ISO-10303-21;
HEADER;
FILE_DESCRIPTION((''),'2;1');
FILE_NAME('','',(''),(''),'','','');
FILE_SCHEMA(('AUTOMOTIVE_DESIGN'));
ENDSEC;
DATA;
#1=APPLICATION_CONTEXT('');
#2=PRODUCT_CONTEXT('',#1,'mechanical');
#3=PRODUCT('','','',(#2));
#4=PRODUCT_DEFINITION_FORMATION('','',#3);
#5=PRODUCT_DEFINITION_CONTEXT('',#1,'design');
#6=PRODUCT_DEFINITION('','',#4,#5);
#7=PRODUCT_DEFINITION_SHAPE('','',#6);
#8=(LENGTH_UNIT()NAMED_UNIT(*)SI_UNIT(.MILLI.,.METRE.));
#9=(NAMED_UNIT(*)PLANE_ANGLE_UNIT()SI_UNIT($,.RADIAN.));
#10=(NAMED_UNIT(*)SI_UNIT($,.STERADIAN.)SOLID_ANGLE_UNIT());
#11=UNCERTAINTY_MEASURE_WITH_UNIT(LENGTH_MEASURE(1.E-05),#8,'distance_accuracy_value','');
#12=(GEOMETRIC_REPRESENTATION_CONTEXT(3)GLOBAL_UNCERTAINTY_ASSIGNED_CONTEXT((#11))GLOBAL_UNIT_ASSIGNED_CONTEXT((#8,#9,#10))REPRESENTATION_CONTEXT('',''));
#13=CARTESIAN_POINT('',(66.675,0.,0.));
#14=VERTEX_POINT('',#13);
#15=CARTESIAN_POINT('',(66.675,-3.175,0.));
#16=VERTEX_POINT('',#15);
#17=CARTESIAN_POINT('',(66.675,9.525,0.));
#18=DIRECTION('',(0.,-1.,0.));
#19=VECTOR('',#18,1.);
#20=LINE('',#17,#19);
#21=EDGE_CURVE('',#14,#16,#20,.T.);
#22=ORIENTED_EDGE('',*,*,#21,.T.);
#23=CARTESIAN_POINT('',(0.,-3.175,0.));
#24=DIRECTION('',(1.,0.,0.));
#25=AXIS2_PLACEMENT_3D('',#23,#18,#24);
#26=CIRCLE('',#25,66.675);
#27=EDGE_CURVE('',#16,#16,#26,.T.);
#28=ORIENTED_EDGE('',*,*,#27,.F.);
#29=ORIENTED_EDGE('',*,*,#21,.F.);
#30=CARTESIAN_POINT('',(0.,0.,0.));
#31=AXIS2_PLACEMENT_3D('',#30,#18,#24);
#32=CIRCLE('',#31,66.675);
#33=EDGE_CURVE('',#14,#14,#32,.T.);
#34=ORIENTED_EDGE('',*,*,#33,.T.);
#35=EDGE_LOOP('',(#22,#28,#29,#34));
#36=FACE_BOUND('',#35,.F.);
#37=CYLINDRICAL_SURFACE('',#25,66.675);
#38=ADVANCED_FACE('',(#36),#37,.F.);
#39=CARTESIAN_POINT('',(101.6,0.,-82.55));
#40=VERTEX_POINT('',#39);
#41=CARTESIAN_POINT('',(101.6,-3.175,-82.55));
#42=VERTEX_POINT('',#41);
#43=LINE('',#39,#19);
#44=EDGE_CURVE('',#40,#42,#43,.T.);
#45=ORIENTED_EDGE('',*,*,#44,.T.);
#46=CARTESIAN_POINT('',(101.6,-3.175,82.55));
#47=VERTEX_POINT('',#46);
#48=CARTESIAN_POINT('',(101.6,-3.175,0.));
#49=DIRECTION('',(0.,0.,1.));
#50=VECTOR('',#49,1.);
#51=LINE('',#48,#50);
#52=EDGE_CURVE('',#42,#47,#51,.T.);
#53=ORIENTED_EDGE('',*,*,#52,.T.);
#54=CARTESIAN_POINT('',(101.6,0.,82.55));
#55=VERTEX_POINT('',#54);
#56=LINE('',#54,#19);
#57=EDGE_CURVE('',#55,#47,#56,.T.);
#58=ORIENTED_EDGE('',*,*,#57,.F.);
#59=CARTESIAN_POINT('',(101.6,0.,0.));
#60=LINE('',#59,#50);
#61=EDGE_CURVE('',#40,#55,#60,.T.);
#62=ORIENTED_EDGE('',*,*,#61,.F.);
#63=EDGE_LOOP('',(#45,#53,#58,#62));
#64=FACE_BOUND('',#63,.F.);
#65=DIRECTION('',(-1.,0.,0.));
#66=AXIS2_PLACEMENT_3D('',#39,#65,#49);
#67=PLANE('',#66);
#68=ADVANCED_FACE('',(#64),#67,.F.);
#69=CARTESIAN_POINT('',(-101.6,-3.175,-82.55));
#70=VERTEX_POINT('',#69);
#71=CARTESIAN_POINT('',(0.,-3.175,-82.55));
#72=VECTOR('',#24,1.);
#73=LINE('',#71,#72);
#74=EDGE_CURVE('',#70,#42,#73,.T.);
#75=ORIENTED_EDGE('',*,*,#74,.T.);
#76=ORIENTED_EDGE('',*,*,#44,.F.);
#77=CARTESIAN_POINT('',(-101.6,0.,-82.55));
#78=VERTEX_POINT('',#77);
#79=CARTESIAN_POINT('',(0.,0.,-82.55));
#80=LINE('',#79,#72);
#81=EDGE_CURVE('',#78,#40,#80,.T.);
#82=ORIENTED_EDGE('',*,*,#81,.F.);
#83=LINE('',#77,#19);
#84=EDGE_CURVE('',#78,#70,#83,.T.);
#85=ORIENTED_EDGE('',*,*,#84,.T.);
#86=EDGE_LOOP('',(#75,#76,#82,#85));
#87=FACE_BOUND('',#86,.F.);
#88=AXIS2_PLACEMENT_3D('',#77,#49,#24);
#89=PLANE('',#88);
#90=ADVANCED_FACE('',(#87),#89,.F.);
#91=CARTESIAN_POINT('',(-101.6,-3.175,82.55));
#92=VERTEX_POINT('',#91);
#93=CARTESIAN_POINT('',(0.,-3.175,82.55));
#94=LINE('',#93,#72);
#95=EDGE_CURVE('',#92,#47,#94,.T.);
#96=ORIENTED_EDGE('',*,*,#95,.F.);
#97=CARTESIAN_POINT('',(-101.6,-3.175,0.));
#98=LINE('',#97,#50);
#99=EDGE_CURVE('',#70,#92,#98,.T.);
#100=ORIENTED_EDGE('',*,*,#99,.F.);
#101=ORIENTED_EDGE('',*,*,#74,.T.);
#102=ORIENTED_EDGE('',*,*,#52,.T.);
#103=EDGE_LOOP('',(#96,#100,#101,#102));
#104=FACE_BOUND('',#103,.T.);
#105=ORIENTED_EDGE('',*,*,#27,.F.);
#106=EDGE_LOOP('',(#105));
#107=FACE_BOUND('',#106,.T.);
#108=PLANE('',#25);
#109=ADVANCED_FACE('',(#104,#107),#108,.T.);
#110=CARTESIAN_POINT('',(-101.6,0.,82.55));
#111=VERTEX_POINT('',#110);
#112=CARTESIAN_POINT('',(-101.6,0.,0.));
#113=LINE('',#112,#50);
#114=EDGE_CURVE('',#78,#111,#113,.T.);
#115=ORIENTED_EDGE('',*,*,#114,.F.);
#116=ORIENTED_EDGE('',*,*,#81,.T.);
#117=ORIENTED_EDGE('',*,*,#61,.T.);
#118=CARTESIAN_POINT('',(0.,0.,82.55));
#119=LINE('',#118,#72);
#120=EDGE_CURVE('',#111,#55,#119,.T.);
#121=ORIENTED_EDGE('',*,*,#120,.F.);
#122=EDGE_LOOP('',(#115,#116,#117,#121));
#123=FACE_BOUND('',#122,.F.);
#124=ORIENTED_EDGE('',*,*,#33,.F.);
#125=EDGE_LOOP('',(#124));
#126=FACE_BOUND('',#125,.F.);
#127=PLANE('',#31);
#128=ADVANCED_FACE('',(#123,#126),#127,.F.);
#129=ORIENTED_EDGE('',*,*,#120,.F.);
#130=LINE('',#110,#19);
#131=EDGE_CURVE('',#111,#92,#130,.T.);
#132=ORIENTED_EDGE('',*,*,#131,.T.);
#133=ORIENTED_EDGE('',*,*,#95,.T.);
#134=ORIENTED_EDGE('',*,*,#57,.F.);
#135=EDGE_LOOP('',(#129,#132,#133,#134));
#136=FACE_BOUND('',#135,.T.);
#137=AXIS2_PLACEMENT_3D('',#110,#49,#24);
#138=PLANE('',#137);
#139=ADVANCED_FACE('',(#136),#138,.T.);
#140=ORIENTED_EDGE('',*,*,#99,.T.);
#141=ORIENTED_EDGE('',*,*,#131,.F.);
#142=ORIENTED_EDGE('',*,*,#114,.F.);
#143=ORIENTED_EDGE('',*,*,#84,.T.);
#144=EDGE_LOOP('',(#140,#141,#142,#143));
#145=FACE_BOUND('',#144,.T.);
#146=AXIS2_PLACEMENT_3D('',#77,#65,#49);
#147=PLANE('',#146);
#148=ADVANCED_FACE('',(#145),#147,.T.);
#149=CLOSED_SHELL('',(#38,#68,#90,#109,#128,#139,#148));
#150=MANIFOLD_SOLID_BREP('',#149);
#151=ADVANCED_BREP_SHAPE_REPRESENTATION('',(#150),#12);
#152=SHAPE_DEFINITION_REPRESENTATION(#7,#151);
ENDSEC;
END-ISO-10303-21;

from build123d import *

# Parameters (mm, degrees)
F0_W     = 203.2
F0_H     = 165.1
F1_DEPTH = 3.175
F2_R     = 66.675
F3_DEPTH = 12.7


with BuildPart() as f1:
    # F0 (on Front) → F1 (new body)
    with BuildSketch(Plane.XZ):
        Rectangle(F0_W, F0_H)
    extrude(amount=F1_DEPTH)

    # F2 (on face) → F3 (cut, symmetric)
    with BuildSketch(Plane.XZ.offset(3.175)):
        Circle(F2_R)
    extrude(amount=F3_DEPTH, both=True, mode=Mode.SUBTRACT)


solid = f1.part
